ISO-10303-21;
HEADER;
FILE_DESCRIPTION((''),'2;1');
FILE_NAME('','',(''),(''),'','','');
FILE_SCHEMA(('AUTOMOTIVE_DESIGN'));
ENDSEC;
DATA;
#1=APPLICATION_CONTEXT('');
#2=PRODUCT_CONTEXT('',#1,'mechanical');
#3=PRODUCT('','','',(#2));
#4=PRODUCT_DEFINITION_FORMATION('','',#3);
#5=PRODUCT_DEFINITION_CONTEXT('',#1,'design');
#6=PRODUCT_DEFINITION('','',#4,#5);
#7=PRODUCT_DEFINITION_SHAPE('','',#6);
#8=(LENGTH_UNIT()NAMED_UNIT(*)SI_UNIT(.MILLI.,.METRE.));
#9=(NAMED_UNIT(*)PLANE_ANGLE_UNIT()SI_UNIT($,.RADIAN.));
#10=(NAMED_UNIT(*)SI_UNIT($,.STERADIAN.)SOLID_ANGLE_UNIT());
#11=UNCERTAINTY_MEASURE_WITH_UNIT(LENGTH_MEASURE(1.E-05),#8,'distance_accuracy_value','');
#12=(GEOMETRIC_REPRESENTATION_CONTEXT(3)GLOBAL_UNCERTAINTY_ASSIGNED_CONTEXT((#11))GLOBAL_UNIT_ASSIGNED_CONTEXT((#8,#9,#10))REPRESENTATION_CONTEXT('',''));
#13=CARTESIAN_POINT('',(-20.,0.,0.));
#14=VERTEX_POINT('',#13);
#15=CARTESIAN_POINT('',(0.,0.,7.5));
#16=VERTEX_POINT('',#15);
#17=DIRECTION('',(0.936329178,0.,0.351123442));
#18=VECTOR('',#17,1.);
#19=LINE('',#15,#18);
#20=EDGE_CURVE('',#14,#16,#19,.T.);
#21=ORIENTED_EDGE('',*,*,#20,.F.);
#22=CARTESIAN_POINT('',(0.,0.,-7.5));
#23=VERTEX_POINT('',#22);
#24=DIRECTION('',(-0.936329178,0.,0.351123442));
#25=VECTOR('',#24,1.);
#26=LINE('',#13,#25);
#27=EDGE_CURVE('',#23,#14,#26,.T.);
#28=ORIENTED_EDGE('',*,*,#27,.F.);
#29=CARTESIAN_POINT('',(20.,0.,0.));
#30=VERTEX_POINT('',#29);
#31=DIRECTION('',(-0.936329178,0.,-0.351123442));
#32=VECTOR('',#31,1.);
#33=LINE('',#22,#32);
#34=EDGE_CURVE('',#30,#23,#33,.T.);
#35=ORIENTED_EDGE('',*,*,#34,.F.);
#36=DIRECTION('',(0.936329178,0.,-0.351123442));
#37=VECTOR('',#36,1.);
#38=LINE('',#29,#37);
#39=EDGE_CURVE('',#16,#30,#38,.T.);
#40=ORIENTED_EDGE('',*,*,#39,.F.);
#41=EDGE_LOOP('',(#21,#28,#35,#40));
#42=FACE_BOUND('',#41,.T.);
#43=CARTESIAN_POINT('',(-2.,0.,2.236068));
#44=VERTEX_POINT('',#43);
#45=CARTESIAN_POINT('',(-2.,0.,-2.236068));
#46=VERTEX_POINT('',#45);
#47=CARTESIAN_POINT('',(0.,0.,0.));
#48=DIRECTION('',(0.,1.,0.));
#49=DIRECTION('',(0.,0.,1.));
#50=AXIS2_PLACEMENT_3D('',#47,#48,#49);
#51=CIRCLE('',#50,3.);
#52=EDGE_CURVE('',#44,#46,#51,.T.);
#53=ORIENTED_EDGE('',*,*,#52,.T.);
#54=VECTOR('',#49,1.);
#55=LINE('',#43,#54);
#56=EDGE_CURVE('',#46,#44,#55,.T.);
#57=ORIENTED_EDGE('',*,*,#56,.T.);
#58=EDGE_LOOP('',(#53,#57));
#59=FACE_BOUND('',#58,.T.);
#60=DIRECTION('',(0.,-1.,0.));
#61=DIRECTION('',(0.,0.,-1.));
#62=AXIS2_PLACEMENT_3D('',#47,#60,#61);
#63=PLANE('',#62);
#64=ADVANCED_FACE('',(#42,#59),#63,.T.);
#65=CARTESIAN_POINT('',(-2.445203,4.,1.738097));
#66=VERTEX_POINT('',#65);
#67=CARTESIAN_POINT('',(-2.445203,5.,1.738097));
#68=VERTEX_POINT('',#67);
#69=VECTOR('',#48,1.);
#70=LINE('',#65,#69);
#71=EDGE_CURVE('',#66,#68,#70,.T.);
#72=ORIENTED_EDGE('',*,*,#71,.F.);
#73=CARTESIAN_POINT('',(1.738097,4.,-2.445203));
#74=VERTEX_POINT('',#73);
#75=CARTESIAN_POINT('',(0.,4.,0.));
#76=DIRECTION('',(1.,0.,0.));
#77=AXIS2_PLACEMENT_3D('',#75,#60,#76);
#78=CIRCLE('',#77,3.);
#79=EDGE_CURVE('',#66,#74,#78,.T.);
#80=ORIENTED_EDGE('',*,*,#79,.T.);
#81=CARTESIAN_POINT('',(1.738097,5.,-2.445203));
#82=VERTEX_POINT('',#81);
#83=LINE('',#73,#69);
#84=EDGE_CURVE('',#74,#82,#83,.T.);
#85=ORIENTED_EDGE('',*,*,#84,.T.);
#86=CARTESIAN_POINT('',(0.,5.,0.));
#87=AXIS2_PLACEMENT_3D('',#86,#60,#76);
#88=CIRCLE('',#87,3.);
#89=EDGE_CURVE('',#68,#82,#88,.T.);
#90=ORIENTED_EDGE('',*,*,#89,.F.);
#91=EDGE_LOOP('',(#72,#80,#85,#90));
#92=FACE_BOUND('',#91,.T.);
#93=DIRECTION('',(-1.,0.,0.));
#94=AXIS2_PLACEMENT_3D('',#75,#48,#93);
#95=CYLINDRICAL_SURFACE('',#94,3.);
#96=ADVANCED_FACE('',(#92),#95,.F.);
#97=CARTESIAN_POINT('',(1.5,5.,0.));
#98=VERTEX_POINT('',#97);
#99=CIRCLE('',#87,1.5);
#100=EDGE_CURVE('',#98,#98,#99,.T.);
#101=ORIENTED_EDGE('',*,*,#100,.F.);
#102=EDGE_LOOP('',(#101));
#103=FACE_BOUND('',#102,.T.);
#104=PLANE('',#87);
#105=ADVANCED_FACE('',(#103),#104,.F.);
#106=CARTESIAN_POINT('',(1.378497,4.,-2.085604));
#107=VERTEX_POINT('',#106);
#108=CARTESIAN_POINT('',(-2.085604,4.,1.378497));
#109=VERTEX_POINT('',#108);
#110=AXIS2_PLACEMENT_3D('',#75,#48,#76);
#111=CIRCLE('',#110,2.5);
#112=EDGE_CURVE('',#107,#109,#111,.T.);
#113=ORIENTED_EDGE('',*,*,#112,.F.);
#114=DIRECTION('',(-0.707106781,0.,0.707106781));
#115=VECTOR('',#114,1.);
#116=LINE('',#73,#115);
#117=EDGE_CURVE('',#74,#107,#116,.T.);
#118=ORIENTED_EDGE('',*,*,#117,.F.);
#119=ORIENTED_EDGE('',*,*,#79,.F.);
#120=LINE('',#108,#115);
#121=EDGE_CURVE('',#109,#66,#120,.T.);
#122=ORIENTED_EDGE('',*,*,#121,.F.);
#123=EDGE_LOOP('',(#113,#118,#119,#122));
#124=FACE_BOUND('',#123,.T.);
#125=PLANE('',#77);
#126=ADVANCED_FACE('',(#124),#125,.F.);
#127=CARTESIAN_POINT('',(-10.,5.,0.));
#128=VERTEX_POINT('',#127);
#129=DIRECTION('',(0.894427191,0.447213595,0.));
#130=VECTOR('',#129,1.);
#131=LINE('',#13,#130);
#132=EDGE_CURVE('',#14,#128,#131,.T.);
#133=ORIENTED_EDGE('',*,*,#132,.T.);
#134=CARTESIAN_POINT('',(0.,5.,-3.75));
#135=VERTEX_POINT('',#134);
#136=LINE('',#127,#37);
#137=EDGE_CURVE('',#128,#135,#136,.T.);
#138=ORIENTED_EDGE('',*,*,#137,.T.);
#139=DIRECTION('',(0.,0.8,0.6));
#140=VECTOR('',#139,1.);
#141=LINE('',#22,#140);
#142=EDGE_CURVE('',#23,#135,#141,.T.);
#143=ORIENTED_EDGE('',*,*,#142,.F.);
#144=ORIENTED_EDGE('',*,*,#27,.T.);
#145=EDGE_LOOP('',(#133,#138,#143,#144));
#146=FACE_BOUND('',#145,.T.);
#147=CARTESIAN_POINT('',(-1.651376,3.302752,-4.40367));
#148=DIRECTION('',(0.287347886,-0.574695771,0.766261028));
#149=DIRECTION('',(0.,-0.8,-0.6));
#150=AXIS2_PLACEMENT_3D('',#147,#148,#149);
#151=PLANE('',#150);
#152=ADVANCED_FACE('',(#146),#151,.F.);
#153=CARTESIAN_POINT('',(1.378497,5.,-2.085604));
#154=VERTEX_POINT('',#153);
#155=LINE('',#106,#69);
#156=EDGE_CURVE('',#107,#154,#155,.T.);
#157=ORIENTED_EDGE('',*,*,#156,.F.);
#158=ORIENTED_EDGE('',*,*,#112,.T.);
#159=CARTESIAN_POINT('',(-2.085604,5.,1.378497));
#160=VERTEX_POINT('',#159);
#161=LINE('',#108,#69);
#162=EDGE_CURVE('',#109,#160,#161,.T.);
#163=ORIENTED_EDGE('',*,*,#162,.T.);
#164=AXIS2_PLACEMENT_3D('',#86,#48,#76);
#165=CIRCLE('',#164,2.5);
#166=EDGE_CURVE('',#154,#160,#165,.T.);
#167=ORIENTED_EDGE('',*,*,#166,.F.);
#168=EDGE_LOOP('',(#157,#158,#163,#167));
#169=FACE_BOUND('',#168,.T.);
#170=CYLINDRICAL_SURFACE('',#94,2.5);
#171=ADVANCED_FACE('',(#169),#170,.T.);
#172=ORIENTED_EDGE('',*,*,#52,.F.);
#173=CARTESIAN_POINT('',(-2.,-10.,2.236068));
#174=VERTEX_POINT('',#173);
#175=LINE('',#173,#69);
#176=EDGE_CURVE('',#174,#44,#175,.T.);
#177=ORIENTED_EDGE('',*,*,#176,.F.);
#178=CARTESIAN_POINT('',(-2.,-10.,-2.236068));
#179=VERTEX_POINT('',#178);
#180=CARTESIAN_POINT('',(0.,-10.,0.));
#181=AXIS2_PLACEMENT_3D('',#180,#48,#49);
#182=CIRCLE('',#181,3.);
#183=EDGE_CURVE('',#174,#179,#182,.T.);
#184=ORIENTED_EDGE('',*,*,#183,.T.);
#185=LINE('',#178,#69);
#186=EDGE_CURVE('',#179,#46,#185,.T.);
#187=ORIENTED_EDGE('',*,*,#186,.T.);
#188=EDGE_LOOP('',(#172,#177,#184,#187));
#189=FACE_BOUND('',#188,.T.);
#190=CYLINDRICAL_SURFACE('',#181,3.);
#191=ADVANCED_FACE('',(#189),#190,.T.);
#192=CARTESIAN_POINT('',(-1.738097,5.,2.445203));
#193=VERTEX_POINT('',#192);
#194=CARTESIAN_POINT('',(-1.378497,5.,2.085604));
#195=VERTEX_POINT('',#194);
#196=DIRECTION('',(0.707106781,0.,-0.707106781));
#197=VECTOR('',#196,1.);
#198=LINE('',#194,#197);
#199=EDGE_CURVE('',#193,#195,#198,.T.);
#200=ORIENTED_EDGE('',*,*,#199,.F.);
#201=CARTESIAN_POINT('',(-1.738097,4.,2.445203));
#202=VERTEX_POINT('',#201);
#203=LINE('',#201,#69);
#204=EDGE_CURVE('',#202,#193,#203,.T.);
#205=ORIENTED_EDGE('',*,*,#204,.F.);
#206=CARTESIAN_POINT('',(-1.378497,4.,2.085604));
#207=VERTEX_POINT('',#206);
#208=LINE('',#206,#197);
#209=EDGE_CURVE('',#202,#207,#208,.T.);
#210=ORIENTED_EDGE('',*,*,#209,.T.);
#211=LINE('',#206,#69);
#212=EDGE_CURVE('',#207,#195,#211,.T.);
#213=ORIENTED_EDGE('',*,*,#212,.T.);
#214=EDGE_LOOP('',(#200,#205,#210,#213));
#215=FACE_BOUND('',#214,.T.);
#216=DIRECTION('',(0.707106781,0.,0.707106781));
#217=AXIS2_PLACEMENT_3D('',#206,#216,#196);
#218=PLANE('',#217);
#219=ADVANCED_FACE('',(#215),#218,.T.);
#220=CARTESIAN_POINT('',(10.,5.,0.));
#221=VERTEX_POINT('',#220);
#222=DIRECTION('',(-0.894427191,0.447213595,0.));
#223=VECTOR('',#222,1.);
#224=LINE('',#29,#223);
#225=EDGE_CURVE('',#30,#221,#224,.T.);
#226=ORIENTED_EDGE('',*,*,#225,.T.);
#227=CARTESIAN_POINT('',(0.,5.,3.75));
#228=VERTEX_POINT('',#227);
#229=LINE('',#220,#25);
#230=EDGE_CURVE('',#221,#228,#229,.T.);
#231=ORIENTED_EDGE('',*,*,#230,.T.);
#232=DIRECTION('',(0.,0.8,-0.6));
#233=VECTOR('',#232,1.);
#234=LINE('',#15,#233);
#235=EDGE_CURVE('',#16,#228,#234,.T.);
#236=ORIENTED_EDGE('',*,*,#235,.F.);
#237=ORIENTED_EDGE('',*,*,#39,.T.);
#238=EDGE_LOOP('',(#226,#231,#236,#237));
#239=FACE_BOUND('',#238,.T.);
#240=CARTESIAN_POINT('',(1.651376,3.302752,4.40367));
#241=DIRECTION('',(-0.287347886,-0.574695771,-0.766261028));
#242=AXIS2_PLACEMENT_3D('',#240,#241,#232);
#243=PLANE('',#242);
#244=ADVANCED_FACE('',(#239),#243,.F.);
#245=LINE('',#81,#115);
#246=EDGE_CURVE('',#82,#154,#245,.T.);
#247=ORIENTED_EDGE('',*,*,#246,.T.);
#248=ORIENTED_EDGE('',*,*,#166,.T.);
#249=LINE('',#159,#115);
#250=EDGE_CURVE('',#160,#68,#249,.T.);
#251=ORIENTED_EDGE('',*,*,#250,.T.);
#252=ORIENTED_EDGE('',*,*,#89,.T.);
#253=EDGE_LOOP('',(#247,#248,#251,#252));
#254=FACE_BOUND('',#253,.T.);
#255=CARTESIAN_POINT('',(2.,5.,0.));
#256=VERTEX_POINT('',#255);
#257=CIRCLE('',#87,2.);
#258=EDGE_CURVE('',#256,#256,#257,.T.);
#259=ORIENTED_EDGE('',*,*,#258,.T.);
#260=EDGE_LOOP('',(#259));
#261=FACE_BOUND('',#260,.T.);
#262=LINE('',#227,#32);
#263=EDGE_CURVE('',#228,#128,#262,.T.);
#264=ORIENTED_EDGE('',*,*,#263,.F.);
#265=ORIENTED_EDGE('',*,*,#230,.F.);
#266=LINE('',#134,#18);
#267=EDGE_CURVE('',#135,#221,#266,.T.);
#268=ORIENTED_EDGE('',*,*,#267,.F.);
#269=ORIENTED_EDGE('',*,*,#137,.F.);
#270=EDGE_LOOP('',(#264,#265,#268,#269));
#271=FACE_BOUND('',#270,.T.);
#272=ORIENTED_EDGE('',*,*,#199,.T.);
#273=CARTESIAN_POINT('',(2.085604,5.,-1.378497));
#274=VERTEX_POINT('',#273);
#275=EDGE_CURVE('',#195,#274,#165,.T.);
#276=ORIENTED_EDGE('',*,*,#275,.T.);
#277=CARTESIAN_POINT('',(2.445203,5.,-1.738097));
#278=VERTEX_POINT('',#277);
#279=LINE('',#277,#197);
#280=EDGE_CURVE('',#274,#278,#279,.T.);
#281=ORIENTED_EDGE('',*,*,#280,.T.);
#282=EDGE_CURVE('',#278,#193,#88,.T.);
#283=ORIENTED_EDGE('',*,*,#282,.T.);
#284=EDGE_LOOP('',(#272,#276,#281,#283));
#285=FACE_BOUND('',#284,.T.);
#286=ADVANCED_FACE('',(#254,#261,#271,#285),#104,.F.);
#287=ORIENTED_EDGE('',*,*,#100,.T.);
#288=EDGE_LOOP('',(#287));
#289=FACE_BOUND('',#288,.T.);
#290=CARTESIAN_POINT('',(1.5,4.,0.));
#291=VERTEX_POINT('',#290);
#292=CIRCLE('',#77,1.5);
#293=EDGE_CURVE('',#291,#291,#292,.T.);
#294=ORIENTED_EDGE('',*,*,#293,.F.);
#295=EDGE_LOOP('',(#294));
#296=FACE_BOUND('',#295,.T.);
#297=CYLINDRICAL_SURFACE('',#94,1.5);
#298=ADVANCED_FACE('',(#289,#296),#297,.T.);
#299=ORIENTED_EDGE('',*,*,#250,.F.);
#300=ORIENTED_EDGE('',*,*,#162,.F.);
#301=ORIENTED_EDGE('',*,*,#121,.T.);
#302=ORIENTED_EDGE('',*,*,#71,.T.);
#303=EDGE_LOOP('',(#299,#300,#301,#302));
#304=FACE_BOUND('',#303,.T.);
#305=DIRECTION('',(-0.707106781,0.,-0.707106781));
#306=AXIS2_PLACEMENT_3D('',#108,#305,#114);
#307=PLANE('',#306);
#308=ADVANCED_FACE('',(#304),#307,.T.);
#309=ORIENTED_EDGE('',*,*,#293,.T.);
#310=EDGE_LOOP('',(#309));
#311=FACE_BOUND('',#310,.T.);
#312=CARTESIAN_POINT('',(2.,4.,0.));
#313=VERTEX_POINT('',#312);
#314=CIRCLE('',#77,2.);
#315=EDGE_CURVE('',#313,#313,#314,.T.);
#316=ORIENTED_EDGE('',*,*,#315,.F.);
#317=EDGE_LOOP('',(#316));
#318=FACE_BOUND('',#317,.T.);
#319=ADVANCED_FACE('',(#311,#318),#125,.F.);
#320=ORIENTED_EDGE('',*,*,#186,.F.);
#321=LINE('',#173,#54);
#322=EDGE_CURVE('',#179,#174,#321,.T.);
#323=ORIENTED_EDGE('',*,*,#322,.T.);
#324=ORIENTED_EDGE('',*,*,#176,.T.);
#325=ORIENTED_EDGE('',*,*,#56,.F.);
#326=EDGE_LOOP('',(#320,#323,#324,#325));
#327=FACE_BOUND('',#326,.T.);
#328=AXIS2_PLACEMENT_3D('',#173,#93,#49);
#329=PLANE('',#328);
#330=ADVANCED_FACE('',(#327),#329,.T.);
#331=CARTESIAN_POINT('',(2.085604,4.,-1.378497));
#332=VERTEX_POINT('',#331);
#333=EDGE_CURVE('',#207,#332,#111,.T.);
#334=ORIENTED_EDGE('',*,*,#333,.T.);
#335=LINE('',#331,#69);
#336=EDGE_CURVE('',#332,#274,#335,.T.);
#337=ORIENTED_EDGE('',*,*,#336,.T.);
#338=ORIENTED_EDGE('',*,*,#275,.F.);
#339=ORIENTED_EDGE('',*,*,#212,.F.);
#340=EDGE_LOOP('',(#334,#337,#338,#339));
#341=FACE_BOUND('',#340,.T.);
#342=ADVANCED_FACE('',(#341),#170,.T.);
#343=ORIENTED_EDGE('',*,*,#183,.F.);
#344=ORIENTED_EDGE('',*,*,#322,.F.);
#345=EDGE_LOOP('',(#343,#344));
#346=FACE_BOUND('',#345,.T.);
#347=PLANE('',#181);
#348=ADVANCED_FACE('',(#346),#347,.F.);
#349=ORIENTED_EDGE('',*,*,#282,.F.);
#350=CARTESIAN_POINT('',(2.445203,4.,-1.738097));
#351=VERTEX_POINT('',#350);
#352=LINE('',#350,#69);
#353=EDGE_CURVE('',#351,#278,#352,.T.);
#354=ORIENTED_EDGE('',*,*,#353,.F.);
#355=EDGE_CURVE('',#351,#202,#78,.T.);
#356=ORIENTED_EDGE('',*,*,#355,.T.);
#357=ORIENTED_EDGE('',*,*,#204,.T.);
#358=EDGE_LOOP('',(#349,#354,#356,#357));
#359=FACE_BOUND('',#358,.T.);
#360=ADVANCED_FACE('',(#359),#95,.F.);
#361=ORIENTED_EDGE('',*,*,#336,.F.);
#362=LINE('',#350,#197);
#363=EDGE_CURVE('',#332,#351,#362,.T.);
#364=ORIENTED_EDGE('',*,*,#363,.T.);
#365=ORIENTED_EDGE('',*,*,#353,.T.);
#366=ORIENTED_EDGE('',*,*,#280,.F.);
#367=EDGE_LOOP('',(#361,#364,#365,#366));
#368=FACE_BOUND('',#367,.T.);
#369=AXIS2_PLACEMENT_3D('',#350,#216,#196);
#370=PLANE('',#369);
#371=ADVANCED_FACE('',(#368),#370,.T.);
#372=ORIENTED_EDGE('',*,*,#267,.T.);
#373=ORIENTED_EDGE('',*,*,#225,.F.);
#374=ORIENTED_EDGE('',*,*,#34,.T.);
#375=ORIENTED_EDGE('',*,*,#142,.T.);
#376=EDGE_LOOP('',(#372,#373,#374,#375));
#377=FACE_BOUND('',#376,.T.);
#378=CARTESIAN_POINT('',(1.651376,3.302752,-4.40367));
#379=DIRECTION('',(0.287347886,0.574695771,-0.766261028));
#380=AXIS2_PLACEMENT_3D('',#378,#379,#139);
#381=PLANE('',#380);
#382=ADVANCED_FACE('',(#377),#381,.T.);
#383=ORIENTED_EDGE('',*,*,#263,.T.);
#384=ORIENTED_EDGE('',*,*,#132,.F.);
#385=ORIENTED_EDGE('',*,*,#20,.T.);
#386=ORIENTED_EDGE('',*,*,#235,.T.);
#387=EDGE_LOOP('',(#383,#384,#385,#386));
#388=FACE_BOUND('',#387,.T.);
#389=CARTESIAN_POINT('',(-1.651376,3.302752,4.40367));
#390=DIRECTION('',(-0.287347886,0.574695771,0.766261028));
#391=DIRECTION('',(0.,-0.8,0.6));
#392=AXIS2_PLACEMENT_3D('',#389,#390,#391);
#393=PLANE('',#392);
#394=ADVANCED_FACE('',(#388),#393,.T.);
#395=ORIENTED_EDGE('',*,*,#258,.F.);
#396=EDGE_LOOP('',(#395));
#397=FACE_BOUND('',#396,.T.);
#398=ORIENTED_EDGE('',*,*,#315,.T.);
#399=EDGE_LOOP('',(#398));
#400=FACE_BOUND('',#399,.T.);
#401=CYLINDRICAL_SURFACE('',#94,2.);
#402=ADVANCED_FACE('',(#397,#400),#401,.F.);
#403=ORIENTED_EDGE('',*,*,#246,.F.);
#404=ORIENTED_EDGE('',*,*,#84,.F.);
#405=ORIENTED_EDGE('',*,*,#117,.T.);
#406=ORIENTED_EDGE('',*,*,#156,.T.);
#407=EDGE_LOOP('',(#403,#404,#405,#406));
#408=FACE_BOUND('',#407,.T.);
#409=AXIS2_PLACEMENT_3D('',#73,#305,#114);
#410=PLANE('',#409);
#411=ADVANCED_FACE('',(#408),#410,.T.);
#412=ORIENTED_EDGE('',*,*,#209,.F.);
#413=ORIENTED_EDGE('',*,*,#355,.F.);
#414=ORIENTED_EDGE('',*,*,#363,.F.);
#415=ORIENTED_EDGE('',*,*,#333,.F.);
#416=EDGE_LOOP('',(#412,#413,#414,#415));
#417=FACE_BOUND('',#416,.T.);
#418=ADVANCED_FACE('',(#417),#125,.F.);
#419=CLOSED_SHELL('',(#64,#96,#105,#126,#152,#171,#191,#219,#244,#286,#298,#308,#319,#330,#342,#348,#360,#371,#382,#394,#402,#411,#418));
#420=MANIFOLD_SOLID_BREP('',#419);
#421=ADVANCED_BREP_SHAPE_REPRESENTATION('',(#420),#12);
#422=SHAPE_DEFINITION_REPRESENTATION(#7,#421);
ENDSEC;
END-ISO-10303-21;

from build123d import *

# Parameters (mm, degrees)
BOSS_EXTRUDE1_DEPTH = 10
CUT_EXTRUDE1_DEPTH  = 1
SKETCH7_R           = 2
SKETCH7_R_2         = 1.5
CUT_EXTRUDE2_DEPTH  = 1


with BuildPart() as part:
    # Sketch1 → Loft1 section 0
    with BuildSketch(Plane(origin=(0, 0, 0), x_dir=(1, 0, 0), z_dir=(0, 1, 0))):
        with BuildLine():
            Line((-20, 0), (0, 7.5))
            Line((0, 7.5), (20, 0))
            Line((20, 0), (0, -7.5))
            Line((0, -7.5), (-20, 0))
        make_face()
    # Sketch3 → Loft1 section 1
    with BuildSketch(Plane(origin=(0, 5, 0), x_dir=(-1, 0, 0), z_dir=(0, -1, 0))):
        with BuildLine():
            Line((0, 3.75), (-10, 0))
            Line((-10, 0), (0, -3.75))
            Line((0, -3.75), (10, 0))
            Line((10, 0), (0, 3.75))
        make_face()
    loft()

    # Sketch5 → Boss-Extrude1 (add)
    with BuildSketch(Plane(origin=(0, 0, 0), x_dir=(1, 0, 0), z_dir=(0, 1, 0))):
        with BuildLine():
            Line((-2, -2.236067977), (-2, 2.236067977))
            ThreePointArc((-2, 2.236067977), (3, 0), (-2, -2.236067977))
        make_face()
    extrude(amount=-BOSS_EXTRUDE1_DEPTH)

    # Sketch6 → Cut-Extrude1 (cut)
    with BuildSketch(Plane(origin=(0, 5, 0), x_dir=(-1, 0, 0), z_dir=(0, -1, 0))):
        with BuildLine():
            Line((-1.738096676, 2.445203457), (-1.378497417, 2.085604198))
            ThreePointArc((-1.378497417, 2.085604198), (1.767766953, 1.767766953), (2.085604198, -1.378497417))
            Line((2.085604198, -1.378497417), (2.445203457, -1.738096676))
            ThreePointArc((2.445203457, -1.738096676), (2.121320344, 2.121320344), (-1.738096676, 2.445203457))
        make_face()
        with BuildLine():
            Line((-2.445203457, 1.738096676), (-2.085604198, 1.378497417))
            ThreePointArc((-2.085604198, 1.378497417), (-1.767766953, -1.767766953), (1.378497417, -2.085604198))
            Line((1.378497417, -2.085604198), (1.738096676, -2.445203457))
            ThreePointArc((1.738096676, -2.445203457), (-2.121320344, -2.121320344), (-2.445203457, 1.738096676))
        make_face()
    extrude(amount=CUT_EXTRUDE1_DEPTH, mode=Mode.SUBTRACT)

    # Sketch7 → Cut-Extrude2 (cut)
    with BuildSketch(Plane(origin=(0, 5, 0), x_dir=(-1, 0, 0), z_dir=(0, -1, 0))):
        with Locations(Location((0, 0, 0), (0, 0, 180))):
            Circle(SKETCH7_R)
        with Locations(Location((0, 0, 0), (0, 0, 180))):
            Circle(SKETCH7_R_2, mode=Mode.SUBTRACT)
    extrude(amount=CUT_EXTRUDE2_DEPTH, mode=Mode.SUBTRACT)


solid = part.part
